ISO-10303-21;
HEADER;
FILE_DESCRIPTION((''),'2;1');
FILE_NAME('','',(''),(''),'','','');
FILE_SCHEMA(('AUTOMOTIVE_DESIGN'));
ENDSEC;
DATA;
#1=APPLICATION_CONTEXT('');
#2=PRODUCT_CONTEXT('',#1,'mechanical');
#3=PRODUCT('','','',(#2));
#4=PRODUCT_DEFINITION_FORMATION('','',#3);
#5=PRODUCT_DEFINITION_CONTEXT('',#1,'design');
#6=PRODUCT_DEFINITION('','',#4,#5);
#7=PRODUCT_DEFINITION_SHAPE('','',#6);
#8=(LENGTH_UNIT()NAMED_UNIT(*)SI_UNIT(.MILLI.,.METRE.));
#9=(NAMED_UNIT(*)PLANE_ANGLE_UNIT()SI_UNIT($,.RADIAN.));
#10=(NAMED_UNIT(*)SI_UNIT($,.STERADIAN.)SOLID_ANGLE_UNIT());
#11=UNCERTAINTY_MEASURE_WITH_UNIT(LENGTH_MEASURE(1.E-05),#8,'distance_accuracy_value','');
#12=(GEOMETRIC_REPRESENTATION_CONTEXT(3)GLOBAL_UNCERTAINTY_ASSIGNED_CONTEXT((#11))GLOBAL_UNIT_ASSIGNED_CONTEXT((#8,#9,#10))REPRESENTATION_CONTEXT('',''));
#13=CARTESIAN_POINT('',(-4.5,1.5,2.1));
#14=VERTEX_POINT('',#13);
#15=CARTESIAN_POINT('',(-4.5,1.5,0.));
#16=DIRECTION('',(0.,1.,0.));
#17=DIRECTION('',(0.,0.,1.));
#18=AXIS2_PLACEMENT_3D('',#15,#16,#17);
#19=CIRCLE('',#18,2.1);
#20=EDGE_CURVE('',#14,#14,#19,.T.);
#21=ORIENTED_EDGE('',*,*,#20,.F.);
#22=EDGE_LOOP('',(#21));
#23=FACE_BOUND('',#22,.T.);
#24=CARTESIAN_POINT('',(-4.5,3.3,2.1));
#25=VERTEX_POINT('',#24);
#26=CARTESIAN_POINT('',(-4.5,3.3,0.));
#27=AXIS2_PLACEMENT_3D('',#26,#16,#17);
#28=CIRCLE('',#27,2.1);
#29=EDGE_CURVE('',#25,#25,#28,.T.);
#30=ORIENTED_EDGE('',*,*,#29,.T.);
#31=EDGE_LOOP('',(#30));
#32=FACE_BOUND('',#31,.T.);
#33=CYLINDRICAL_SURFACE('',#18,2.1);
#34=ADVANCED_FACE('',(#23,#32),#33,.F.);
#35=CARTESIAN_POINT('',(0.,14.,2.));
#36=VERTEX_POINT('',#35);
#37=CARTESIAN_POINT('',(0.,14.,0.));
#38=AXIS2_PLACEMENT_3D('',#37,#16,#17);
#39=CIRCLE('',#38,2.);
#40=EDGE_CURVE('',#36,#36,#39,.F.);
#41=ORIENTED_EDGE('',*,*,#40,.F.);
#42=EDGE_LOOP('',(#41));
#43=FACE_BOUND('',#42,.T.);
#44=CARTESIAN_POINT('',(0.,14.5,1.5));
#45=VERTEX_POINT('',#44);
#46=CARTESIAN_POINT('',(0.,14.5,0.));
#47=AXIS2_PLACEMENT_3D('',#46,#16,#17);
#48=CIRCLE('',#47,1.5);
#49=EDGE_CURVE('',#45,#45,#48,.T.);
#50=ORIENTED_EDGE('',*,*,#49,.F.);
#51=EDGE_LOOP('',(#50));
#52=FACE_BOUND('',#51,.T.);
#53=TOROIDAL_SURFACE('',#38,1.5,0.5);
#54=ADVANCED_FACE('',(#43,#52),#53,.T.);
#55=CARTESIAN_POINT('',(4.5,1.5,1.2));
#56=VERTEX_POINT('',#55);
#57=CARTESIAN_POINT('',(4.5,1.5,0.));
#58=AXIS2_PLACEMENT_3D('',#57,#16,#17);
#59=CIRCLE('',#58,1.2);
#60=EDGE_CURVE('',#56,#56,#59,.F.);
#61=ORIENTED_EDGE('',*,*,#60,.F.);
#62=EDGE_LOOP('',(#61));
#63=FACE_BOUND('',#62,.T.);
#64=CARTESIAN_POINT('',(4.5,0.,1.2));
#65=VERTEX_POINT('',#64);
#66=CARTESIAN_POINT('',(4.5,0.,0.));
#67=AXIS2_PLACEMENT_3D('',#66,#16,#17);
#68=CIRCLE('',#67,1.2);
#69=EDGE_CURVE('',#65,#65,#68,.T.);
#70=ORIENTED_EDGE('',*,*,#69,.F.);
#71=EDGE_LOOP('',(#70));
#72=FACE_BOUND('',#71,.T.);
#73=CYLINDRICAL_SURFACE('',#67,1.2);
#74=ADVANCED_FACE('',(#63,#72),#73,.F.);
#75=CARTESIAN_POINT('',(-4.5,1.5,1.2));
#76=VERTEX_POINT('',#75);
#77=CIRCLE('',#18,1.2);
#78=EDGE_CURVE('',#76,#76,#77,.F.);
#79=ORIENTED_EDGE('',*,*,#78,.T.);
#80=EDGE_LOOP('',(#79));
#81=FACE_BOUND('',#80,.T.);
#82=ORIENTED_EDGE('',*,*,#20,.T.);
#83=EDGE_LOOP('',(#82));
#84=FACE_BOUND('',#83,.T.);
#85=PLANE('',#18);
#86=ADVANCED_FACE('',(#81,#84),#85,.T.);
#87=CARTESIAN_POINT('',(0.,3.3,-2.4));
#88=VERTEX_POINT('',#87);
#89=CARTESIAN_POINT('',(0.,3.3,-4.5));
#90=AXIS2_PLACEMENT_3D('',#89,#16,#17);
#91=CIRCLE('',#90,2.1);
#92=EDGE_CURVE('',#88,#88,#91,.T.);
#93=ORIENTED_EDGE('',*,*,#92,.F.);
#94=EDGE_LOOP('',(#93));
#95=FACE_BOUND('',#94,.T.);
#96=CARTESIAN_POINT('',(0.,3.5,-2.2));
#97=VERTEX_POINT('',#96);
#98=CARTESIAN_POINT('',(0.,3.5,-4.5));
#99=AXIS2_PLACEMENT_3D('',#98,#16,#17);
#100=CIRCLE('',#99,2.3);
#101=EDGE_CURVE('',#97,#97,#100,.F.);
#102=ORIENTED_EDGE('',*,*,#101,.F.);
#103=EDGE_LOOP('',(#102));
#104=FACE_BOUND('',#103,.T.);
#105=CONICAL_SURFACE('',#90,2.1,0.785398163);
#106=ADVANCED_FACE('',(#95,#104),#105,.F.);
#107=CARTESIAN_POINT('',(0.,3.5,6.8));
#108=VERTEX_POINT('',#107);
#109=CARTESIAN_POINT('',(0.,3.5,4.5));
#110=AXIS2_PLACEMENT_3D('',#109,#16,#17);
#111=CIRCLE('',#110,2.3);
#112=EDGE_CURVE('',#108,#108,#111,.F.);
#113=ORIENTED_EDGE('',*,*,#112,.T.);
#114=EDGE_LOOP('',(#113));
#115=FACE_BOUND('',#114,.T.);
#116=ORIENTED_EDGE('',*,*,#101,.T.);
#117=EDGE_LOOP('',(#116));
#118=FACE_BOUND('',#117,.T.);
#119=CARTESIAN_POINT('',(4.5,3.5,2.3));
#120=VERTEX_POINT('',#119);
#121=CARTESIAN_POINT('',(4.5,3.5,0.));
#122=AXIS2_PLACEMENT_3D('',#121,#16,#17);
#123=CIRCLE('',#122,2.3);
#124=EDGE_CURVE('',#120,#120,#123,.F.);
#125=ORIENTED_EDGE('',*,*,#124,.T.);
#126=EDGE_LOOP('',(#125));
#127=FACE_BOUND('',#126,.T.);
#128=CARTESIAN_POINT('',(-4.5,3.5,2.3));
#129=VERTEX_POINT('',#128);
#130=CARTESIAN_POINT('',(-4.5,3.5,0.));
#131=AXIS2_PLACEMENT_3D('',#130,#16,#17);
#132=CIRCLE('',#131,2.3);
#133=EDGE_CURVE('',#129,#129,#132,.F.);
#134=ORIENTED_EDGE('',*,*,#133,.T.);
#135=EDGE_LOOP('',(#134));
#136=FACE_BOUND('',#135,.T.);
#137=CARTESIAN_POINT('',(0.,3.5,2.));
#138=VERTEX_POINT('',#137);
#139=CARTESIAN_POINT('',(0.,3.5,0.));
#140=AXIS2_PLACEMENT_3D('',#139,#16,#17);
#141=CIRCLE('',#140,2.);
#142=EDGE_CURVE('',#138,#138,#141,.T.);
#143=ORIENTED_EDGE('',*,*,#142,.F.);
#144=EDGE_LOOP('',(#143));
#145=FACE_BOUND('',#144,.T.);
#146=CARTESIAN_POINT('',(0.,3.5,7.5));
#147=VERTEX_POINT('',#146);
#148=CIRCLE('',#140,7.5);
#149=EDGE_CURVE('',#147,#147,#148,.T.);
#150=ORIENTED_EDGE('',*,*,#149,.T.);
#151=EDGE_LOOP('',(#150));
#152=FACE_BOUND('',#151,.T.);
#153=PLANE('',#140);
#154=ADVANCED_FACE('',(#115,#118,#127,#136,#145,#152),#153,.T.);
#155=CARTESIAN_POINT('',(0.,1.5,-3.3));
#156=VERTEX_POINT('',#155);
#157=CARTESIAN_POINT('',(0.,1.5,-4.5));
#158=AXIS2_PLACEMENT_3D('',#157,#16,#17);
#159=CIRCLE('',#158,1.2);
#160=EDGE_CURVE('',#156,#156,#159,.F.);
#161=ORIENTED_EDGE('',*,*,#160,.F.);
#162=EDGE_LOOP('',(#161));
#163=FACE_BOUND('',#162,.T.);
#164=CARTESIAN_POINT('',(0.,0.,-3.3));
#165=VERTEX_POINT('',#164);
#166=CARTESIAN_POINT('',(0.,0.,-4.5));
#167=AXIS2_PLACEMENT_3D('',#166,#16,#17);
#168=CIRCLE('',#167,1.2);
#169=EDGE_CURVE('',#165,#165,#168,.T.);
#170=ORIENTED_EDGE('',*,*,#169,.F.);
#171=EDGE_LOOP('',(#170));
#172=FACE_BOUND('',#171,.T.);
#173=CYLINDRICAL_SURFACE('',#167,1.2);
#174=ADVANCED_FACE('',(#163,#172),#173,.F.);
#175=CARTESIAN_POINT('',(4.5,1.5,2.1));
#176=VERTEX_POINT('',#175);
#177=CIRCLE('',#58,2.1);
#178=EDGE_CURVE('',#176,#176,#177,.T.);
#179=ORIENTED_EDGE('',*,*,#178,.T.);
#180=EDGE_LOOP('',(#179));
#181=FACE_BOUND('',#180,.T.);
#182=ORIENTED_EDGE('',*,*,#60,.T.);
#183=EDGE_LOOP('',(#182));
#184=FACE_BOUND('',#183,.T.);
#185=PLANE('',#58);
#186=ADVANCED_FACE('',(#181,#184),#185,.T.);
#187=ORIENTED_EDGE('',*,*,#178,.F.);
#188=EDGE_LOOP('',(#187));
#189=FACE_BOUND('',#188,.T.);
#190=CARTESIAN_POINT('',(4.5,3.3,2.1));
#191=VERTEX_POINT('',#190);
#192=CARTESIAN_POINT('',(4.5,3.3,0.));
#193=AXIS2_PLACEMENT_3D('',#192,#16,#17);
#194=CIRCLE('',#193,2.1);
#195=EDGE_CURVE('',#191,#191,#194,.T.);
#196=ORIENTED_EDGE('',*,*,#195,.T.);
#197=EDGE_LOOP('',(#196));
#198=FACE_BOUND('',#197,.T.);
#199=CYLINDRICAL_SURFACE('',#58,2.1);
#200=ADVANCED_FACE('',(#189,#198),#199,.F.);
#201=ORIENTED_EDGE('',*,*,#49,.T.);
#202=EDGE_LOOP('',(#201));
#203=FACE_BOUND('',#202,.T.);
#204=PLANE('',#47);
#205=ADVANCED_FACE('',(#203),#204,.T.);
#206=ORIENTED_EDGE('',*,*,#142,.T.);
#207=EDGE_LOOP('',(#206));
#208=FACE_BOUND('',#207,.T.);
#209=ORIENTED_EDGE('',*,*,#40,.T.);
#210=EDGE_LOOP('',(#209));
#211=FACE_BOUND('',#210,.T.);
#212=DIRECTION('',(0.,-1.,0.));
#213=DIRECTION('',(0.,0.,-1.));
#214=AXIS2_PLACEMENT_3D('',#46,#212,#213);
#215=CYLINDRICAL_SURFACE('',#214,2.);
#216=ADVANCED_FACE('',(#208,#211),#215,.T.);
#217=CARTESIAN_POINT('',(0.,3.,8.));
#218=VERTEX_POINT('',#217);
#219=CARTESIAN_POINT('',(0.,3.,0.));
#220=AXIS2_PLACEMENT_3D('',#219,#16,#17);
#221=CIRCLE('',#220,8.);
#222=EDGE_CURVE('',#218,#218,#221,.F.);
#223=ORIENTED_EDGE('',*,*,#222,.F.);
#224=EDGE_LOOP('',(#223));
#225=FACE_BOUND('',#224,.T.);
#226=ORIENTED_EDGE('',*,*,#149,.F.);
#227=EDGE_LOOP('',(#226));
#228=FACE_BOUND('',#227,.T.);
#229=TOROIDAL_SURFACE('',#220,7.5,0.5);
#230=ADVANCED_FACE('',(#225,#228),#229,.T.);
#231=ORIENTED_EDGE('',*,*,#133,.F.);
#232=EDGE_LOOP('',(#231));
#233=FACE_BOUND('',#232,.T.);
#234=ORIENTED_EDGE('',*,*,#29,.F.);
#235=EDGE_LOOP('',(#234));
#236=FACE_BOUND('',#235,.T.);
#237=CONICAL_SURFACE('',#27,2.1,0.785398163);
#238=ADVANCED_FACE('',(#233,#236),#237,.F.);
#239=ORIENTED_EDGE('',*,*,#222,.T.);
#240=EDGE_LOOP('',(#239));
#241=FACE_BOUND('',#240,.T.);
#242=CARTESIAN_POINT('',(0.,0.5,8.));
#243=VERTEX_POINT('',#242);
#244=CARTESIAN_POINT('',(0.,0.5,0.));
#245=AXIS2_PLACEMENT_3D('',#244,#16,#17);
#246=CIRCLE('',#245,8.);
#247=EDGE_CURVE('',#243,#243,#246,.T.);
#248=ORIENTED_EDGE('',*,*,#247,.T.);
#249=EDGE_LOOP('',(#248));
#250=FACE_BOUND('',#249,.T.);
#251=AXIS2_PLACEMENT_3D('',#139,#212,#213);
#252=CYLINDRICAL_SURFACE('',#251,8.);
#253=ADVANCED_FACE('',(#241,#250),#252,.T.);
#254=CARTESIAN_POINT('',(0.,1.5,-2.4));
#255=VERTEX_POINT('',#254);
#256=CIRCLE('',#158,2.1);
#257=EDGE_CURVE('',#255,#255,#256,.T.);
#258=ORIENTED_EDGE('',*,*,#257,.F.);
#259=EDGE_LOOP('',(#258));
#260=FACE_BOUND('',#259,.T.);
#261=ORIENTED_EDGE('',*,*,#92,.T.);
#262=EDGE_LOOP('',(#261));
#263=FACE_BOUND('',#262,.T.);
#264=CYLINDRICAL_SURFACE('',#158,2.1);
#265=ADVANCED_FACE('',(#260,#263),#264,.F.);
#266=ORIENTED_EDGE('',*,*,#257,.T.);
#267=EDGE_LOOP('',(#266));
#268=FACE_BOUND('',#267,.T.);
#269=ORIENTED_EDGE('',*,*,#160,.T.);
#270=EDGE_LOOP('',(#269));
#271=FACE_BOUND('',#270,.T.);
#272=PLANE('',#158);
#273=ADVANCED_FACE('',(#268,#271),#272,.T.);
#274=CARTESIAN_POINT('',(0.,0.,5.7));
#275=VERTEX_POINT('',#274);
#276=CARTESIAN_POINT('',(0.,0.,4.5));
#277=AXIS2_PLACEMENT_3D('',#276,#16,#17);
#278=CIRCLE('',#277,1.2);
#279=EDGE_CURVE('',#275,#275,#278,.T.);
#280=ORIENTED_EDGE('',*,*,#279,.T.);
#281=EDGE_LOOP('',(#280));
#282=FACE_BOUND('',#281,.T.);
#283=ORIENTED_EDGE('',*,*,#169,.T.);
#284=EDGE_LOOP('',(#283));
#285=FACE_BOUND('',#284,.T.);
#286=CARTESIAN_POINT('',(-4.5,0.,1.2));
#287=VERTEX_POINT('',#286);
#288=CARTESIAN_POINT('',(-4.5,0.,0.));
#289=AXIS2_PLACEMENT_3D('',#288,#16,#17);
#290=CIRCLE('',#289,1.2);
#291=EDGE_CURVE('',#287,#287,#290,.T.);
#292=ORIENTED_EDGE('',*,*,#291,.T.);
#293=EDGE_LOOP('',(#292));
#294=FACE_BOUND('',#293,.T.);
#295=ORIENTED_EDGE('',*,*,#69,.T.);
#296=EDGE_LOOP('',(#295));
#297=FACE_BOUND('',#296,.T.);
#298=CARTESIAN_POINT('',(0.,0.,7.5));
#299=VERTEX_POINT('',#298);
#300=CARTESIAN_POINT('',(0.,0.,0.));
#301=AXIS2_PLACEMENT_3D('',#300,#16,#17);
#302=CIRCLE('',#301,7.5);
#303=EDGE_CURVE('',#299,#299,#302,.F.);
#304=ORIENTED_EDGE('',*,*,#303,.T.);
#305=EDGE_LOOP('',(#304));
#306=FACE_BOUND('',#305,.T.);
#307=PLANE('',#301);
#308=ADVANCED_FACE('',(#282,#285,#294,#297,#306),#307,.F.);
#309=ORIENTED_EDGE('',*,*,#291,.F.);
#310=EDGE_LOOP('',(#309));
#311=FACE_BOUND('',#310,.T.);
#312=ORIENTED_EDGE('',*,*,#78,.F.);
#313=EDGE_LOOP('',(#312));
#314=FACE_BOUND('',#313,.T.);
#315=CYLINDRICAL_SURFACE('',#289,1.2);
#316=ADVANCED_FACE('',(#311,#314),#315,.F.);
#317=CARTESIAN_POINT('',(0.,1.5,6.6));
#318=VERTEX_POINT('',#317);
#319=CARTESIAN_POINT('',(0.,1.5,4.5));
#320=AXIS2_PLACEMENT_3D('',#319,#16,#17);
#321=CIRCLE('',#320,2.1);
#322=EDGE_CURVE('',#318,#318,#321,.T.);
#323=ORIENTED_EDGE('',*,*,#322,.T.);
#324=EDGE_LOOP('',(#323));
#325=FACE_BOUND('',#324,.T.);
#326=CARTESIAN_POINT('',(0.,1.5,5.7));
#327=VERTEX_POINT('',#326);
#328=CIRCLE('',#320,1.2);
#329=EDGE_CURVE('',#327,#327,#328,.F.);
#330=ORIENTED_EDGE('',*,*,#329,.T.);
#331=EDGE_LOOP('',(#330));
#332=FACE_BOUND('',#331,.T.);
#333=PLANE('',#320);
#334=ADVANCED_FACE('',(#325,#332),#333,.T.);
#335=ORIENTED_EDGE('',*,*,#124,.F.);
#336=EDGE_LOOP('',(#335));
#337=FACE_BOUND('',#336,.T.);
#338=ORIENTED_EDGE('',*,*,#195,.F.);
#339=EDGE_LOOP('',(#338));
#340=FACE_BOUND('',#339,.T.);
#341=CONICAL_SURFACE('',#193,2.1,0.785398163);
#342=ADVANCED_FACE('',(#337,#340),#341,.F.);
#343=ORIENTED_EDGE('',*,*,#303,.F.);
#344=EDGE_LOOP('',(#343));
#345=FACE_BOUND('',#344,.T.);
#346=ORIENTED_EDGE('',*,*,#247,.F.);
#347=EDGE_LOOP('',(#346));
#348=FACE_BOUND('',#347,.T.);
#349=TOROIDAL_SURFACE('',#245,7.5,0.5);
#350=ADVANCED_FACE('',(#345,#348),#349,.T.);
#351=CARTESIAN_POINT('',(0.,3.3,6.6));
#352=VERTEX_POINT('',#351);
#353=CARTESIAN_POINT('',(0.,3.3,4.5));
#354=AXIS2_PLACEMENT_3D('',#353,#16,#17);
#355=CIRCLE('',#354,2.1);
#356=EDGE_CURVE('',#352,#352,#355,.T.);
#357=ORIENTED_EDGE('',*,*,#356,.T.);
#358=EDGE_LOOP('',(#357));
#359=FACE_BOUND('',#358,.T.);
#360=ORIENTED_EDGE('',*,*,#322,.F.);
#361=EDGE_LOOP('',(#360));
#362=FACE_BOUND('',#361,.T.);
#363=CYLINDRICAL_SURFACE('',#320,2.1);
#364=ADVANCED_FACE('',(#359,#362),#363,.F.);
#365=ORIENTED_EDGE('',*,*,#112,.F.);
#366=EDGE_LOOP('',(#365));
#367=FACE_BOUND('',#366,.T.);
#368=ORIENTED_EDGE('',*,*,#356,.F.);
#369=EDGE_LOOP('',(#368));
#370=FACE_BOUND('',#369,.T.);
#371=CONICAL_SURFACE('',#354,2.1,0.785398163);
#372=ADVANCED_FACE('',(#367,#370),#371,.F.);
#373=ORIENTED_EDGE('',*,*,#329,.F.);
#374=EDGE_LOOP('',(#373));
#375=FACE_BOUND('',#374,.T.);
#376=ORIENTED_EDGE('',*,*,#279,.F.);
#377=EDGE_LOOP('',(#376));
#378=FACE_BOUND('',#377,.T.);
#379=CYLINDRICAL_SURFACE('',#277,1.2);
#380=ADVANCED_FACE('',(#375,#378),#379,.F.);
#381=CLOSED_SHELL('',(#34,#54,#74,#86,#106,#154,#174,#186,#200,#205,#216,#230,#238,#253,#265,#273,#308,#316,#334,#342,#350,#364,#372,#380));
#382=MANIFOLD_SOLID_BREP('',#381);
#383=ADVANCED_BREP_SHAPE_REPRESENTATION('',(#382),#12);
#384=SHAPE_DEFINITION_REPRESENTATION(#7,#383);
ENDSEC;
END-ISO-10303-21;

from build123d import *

# Parameters (mm, degrees)
SKETCH1_R           = 8
BOSS_EXTRUDE1_DEPTH = 3.5
SKETCH2_R           = 2
BOSS_EXTRUDE2_DEPTH = 11
SKETCH4_R           = 1.2
CUT_EXTRUDE1_DEPTH  = 4.5
SKETCH5_R           = 2.1
CUT_EXTRUDE2_DEPTH  = 2
CHAMFER2_SIZE       = 0.2
FILLET3_R           = 0.5
FILLET4_R           = 0.5


with BuildPart() as part:
    # Sketch1 → Boss-Extrude1 (new body)
    with BuildSketch(Plane(origin=(0, 0, 0), x_dir=(1, 0, 0), z_dir=(0, 1, 0))):
        Circle(SKETCH1_R)
    extrude(amount=BOSS_EXTRUDE1_DEPTH)

    # Sketch2 → Boss-Extrude2 (add)
    with BuildSketch(Plane(origin=(0, 3.5, 0), x_dir=(1, 0, 0), z_dir=(0, 1, 0))):
        Circle(SKETCH2_R)
    extrude(amount=BOSS_EXTRUDE2_DEPTH)

    # Sketch4 → Cut-Extrude1 (cut, through all)
    with BuildSketch(Plane(origin=(0, 3.5, 0), x_dir=(1, 0, 0), z_dir=(0, 1, 0))):
        with Locations((0, 4.5)):
            Circle(SKETCH4_R)
        with Locations((4.5, 0)):
            Circle(SKETCH4_R)
        with Locations((0, -4.5)):
            Circle(SKETCH4_R)
        with Locations((-4.5, 0)):
            Circle(SKETCH4_R)
    extrude(amount=-CUT_EXTRUDE1_DEPTH, mode=Mode.SUBTRACT)

    # Sketch5 → Cut-Extrude2 (cut)
    with BuildSketch(Plane(origin=(0, 3.5, 0), x_dir=(1, 0, 0), z_dir=(0, 1, 0))):
        with Locations((0, 4.5)):
            Circle(SKETCH5_R)
        with Locations((4.5, 0)):
            Circle(SKETCH5_R)
        with Locations((0, -4.5)):
            Circle(SKETCH5_R)
        with Locations((-4.5, 0)):
            Circle(SKETCH5_R)
    extrude(amount=-CUT_EXTRUDE2_DEPTH, mode=Mode.SUBTRACT)

    # Chamfer2
    chamfer2_edges = [part.edges().sort_by_distance(p)[0] for p in [
        (-2.1, 3.5, -4.5),
        (2.4, 3.5, 0),
        (-2.1, 3.5, 4.5),
        (-6.6, 3.5, 0),
    ]]
    chamfer(chamfer2_edges, length=CHAMFER2_SIZE)

    # Fillet3
    fillet3_edges = [part.edges().sort_by_distance(p)[0] for p in [
        (-2, 14.5, 0),
    ]]
    fillet(fillet3_edges, radius=FILLET3_R)

    # Fillet4
    fillet4_edges = [part.edges().sort_by_distance(p)[0] for p in [
        (-8, 0, 0),
        (-8, 3.5, 0),
    ]]
    fillet(fillet4_edges, radius=FILLET4_R)


solid = part.part
